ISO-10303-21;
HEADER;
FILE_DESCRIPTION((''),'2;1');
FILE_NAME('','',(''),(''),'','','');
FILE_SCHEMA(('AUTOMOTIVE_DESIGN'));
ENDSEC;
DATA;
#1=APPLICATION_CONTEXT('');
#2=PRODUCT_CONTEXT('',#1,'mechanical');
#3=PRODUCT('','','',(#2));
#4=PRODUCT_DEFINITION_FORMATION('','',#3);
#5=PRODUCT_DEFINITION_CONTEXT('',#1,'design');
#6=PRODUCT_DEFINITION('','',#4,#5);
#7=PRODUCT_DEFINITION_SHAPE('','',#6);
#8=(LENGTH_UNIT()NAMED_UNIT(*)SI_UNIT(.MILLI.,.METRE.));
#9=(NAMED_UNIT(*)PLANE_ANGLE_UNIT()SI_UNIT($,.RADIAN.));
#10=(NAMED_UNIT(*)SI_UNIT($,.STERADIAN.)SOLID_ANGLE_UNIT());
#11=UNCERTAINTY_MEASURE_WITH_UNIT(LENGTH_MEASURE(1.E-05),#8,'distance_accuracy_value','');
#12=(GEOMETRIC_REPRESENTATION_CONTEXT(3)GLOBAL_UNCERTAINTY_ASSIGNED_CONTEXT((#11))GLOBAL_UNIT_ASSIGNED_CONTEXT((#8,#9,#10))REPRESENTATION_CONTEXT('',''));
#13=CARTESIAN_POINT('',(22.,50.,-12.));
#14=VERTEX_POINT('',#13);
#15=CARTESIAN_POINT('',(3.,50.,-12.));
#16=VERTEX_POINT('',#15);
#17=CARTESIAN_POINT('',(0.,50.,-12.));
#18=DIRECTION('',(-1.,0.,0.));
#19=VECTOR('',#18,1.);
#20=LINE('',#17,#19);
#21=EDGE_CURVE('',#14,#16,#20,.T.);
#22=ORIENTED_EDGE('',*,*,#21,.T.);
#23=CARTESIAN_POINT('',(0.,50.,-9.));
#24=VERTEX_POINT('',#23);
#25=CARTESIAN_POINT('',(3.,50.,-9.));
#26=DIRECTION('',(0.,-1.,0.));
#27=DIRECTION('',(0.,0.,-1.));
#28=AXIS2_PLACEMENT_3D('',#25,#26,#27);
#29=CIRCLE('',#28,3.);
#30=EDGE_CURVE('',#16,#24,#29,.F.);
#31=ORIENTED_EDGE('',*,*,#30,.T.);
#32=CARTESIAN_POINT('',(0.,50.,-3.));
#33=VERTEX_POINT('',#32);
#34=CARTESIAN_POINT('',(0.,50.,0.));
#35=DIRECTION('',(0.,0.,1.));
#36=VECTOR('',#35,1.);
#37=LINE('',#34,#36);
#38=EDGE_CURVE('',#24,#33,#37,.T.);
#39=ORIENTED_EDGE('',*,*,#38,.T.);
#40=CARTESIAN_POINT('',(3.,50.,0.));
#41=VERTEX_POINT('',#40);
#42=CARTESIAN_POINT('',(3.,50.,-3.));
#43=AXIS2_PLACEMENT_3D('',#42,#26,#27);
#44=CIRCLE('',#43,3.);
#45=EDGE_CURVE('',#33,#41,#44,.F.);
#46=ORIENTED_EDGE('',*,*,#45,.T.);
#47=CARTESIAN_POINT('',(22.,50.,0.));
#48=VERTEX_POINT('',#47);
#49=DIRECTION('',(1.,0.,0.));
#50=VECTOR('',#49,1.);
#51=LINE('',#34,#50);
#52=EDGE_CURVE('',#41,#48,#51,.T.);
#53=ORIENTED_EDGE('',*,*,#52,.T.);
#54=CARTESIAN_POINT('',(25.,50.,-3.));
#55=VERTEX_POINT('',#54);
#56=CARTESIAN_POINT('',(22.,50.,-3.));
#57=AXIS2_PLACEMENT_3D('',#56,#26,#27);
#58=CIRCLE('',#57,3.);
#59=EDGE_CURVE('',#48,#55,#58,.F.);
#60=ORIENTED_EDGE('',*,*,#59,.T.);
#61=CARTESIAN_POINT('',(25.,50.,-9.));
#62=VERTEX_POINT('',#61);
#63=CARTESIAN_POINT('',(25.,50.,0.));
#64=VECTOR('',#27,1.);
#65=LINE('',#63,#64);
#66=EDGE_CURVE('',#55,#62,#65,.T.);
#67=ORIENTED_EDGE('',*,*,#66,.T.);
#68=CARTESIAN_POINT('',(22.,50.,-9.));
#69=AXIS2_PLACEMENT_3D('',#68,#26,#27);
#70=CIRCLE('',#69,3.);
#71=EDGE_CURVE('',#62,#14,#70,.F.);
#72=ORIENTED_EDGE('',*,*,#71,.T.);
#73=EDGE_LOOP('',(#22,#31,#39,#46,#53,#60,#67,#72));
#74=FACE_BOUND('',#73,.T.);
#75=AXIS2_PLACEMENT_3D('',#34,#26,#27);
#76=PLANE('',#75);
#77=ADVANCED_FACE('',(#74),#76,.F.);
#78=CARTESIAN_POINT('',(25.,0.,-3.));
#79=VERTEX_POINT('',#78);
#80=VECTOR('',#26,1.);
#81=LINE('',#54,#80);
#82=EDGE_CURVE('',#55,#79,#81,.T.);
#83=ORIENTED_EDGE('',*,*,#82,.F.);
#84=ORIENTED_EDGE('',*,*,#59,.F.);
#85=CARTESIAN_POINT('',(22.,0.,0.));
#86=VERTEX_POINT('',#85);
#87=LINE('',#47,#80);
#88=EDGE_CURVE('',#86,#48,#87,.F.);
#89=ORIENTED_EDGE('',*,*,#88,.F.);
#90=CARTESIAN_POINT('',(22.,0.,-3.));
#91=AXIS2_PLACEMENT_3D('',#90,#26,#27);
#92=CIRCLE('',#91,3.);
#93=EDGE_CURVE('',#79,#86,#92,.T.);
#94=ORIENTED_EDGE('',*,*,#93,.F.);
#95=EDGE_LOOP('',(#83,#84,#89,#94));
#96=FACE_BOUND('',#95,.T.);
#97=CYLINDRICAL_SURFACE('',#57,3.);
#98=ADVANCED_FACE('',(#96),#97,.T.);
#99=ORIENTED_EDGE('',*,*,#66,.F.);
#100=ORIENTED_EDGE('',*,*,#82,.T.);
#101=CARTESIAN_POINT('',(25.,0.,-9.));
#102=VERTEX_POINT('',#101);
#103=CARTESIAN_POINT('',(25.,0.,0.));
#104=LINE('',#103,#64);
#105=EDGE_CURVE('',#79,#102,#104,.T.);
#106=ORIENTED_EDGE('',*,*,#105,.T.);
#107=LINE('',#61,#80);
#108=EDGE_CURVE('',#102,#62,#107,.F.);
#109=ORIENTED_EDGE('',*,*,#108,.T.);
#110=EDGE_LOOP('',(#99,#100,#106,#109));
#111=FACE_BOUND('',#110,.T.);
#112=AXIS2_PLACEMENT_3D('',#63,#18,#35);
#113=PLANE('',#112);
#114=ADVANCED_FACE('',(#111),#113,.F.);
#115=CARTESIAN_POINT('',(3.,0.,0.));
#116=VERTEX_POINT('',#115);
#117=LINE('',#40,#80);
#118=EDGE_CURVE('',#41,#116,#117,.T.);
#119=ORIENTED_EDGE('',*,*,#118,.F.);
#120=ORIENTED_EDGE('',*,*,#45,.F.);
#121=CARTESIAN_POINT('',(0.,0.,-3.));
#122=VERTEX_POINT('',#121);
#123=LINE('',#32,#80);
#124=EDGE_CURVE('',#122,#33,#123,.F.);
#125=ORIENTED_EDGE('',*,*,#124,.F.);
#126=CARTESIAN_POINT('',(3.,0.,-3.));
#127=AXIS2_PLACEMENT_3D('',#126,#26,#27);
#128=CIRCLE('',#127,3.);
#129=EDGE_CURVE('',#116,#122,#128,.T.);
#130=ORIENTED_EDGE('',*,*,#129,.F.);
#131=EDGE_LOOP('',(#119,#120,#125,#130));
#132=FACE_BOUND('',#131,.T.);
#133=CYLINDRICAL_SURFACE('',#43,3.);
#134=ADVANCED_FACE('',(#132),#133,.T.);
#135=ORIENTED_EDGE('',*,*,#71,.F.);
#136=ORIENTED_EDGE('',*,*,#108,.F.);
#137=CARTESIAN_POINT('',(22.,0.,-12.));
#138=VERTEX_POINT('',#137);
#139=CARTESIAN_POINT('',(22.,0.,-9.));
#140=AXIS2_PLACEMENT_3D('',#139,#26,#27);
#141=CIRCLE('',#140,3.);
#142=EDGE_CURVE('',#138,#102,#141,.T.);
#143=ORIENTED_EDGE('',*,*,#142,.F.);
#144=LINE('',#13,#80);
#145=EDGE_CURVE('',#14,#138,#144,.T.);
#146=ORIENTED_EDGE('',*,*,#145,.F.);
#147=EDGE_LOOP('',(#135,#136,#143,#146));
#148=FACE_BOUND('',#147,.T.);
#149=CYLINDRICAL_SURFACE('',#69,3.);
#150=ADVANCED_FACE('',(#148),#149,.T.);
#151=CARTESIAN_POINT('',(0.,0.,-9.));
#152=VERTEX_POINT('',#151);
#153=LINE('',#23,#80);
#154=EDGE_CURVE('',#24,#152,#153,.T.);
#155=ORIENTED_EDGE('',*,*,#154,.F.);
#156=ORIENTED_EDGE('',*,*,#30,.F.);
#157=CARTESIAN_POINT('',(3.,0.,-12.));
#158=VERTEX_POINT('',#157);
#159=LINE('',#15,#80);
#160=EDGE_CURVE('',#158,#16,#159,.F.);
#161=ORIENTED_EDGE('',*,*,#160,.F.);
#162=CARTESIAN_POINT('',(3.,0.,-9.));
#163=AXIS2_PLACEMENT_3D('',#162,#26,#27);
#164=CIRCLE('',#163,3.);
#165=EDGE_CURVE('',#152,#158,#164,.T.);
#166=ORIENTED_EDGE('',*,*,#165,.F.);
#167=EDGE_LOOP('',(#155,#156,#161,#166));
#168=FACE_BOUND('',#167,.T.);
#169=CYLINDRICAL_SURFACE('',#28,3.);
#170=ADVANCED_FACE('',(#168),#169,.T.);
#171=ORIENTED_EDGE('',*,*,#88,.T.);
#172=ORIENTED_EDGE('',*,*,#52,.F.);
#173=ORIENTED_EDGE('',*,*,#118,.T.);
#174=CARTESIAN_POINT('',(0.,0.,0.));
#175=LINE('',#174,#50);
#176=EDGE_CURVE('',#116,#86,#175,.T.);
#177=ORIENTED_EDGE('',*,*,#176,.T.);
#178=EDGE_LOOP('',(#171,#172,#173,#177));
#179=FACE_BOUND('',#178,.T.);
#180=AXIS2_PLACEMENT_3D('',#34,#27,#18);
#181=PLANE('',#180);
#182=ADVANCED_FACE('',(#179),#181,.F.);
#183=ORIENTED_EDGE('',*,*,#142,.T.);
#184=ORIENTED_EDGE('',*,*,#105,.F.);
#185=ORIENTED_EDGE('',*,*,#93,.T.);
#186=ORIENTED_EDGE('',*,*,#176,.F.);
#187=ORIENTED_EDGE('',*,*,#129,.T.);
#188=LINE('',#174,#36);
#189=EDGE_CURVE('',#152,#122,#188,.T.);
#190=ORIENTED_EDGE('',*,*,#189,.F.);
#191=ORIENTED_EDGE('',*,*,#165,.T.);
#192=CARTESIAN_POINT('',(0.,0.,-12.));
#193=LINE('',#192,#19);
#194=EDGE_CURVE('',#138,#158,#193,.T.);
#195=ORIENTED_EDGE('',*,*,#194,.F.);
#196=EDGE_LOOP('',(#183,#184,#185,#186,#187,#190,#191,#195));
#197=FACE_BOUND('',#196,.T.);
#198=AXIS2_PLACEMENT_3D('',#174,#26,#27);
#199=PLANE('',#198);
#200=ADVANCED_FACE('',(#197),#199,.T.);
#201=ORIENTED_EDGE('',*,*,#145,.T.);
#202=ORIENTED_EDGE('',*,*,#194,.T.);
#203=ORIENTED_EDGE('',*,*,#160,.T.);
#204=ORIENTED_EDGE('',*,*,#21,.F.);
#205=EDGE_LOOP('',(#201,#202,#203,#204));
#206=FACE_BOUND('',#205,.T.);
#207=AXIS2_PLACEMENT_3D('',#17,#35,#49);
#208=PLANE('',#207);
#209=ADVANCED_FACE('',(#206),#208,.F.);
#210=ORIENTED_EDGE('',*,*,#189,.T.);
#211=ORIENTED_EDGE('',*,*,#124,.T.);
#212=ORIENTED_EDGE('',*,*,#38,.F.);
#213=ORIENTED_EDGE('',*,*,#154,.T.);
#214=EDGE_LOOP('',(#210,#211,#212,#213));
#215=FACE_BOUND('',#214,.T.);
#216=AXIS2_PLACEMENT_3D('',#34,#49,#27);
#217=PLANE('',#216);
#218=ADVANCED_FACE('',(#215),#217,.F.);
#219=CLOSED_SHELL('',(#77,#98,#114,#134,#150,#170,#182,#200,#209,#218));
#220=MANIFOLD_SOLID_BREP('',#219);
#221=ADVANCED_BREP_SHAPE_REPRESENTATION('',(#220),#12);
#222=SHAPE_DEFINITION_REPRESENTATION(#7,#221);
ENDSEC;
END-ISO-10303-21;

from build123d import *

# Parameters (mm, degrees)
SKIZZE1_W                       = 25
SKIZZE1_H                       = 12
AUFSATZ_LINEAR_AUSTRAGEN1_DEPTH = 50
VERRUNDUNG1_R                   = 3


with BuildPart() as part:
    # Skizze1 → Aufsatz-Linear austragen1 (new body)
    with BuildSketch(Plane(origin=(0, 0, 0), x_dir=(1, 0, 0), z_dir=(0, 1, 0))):
        with Locations((12.5, 6)):
            Rectangle(SKIZZE1_W, SKIZZE1_H)
    extrude(amount=AUFSATZ_LINEAR_AUSTRAGEN1_DEPTH)

    # Verrundung1
    verrundung1_edges = [part.edges().sort_by_distance(p)[0] for p in [
        (0, 25, -12),
        (25, 25, -12),
        (25, 25, 0),
        (0, 25, 0),
    ]]
    fillet(verrundung1_edges, radius=VERRUNDUNG1_R)


solid = part.part
